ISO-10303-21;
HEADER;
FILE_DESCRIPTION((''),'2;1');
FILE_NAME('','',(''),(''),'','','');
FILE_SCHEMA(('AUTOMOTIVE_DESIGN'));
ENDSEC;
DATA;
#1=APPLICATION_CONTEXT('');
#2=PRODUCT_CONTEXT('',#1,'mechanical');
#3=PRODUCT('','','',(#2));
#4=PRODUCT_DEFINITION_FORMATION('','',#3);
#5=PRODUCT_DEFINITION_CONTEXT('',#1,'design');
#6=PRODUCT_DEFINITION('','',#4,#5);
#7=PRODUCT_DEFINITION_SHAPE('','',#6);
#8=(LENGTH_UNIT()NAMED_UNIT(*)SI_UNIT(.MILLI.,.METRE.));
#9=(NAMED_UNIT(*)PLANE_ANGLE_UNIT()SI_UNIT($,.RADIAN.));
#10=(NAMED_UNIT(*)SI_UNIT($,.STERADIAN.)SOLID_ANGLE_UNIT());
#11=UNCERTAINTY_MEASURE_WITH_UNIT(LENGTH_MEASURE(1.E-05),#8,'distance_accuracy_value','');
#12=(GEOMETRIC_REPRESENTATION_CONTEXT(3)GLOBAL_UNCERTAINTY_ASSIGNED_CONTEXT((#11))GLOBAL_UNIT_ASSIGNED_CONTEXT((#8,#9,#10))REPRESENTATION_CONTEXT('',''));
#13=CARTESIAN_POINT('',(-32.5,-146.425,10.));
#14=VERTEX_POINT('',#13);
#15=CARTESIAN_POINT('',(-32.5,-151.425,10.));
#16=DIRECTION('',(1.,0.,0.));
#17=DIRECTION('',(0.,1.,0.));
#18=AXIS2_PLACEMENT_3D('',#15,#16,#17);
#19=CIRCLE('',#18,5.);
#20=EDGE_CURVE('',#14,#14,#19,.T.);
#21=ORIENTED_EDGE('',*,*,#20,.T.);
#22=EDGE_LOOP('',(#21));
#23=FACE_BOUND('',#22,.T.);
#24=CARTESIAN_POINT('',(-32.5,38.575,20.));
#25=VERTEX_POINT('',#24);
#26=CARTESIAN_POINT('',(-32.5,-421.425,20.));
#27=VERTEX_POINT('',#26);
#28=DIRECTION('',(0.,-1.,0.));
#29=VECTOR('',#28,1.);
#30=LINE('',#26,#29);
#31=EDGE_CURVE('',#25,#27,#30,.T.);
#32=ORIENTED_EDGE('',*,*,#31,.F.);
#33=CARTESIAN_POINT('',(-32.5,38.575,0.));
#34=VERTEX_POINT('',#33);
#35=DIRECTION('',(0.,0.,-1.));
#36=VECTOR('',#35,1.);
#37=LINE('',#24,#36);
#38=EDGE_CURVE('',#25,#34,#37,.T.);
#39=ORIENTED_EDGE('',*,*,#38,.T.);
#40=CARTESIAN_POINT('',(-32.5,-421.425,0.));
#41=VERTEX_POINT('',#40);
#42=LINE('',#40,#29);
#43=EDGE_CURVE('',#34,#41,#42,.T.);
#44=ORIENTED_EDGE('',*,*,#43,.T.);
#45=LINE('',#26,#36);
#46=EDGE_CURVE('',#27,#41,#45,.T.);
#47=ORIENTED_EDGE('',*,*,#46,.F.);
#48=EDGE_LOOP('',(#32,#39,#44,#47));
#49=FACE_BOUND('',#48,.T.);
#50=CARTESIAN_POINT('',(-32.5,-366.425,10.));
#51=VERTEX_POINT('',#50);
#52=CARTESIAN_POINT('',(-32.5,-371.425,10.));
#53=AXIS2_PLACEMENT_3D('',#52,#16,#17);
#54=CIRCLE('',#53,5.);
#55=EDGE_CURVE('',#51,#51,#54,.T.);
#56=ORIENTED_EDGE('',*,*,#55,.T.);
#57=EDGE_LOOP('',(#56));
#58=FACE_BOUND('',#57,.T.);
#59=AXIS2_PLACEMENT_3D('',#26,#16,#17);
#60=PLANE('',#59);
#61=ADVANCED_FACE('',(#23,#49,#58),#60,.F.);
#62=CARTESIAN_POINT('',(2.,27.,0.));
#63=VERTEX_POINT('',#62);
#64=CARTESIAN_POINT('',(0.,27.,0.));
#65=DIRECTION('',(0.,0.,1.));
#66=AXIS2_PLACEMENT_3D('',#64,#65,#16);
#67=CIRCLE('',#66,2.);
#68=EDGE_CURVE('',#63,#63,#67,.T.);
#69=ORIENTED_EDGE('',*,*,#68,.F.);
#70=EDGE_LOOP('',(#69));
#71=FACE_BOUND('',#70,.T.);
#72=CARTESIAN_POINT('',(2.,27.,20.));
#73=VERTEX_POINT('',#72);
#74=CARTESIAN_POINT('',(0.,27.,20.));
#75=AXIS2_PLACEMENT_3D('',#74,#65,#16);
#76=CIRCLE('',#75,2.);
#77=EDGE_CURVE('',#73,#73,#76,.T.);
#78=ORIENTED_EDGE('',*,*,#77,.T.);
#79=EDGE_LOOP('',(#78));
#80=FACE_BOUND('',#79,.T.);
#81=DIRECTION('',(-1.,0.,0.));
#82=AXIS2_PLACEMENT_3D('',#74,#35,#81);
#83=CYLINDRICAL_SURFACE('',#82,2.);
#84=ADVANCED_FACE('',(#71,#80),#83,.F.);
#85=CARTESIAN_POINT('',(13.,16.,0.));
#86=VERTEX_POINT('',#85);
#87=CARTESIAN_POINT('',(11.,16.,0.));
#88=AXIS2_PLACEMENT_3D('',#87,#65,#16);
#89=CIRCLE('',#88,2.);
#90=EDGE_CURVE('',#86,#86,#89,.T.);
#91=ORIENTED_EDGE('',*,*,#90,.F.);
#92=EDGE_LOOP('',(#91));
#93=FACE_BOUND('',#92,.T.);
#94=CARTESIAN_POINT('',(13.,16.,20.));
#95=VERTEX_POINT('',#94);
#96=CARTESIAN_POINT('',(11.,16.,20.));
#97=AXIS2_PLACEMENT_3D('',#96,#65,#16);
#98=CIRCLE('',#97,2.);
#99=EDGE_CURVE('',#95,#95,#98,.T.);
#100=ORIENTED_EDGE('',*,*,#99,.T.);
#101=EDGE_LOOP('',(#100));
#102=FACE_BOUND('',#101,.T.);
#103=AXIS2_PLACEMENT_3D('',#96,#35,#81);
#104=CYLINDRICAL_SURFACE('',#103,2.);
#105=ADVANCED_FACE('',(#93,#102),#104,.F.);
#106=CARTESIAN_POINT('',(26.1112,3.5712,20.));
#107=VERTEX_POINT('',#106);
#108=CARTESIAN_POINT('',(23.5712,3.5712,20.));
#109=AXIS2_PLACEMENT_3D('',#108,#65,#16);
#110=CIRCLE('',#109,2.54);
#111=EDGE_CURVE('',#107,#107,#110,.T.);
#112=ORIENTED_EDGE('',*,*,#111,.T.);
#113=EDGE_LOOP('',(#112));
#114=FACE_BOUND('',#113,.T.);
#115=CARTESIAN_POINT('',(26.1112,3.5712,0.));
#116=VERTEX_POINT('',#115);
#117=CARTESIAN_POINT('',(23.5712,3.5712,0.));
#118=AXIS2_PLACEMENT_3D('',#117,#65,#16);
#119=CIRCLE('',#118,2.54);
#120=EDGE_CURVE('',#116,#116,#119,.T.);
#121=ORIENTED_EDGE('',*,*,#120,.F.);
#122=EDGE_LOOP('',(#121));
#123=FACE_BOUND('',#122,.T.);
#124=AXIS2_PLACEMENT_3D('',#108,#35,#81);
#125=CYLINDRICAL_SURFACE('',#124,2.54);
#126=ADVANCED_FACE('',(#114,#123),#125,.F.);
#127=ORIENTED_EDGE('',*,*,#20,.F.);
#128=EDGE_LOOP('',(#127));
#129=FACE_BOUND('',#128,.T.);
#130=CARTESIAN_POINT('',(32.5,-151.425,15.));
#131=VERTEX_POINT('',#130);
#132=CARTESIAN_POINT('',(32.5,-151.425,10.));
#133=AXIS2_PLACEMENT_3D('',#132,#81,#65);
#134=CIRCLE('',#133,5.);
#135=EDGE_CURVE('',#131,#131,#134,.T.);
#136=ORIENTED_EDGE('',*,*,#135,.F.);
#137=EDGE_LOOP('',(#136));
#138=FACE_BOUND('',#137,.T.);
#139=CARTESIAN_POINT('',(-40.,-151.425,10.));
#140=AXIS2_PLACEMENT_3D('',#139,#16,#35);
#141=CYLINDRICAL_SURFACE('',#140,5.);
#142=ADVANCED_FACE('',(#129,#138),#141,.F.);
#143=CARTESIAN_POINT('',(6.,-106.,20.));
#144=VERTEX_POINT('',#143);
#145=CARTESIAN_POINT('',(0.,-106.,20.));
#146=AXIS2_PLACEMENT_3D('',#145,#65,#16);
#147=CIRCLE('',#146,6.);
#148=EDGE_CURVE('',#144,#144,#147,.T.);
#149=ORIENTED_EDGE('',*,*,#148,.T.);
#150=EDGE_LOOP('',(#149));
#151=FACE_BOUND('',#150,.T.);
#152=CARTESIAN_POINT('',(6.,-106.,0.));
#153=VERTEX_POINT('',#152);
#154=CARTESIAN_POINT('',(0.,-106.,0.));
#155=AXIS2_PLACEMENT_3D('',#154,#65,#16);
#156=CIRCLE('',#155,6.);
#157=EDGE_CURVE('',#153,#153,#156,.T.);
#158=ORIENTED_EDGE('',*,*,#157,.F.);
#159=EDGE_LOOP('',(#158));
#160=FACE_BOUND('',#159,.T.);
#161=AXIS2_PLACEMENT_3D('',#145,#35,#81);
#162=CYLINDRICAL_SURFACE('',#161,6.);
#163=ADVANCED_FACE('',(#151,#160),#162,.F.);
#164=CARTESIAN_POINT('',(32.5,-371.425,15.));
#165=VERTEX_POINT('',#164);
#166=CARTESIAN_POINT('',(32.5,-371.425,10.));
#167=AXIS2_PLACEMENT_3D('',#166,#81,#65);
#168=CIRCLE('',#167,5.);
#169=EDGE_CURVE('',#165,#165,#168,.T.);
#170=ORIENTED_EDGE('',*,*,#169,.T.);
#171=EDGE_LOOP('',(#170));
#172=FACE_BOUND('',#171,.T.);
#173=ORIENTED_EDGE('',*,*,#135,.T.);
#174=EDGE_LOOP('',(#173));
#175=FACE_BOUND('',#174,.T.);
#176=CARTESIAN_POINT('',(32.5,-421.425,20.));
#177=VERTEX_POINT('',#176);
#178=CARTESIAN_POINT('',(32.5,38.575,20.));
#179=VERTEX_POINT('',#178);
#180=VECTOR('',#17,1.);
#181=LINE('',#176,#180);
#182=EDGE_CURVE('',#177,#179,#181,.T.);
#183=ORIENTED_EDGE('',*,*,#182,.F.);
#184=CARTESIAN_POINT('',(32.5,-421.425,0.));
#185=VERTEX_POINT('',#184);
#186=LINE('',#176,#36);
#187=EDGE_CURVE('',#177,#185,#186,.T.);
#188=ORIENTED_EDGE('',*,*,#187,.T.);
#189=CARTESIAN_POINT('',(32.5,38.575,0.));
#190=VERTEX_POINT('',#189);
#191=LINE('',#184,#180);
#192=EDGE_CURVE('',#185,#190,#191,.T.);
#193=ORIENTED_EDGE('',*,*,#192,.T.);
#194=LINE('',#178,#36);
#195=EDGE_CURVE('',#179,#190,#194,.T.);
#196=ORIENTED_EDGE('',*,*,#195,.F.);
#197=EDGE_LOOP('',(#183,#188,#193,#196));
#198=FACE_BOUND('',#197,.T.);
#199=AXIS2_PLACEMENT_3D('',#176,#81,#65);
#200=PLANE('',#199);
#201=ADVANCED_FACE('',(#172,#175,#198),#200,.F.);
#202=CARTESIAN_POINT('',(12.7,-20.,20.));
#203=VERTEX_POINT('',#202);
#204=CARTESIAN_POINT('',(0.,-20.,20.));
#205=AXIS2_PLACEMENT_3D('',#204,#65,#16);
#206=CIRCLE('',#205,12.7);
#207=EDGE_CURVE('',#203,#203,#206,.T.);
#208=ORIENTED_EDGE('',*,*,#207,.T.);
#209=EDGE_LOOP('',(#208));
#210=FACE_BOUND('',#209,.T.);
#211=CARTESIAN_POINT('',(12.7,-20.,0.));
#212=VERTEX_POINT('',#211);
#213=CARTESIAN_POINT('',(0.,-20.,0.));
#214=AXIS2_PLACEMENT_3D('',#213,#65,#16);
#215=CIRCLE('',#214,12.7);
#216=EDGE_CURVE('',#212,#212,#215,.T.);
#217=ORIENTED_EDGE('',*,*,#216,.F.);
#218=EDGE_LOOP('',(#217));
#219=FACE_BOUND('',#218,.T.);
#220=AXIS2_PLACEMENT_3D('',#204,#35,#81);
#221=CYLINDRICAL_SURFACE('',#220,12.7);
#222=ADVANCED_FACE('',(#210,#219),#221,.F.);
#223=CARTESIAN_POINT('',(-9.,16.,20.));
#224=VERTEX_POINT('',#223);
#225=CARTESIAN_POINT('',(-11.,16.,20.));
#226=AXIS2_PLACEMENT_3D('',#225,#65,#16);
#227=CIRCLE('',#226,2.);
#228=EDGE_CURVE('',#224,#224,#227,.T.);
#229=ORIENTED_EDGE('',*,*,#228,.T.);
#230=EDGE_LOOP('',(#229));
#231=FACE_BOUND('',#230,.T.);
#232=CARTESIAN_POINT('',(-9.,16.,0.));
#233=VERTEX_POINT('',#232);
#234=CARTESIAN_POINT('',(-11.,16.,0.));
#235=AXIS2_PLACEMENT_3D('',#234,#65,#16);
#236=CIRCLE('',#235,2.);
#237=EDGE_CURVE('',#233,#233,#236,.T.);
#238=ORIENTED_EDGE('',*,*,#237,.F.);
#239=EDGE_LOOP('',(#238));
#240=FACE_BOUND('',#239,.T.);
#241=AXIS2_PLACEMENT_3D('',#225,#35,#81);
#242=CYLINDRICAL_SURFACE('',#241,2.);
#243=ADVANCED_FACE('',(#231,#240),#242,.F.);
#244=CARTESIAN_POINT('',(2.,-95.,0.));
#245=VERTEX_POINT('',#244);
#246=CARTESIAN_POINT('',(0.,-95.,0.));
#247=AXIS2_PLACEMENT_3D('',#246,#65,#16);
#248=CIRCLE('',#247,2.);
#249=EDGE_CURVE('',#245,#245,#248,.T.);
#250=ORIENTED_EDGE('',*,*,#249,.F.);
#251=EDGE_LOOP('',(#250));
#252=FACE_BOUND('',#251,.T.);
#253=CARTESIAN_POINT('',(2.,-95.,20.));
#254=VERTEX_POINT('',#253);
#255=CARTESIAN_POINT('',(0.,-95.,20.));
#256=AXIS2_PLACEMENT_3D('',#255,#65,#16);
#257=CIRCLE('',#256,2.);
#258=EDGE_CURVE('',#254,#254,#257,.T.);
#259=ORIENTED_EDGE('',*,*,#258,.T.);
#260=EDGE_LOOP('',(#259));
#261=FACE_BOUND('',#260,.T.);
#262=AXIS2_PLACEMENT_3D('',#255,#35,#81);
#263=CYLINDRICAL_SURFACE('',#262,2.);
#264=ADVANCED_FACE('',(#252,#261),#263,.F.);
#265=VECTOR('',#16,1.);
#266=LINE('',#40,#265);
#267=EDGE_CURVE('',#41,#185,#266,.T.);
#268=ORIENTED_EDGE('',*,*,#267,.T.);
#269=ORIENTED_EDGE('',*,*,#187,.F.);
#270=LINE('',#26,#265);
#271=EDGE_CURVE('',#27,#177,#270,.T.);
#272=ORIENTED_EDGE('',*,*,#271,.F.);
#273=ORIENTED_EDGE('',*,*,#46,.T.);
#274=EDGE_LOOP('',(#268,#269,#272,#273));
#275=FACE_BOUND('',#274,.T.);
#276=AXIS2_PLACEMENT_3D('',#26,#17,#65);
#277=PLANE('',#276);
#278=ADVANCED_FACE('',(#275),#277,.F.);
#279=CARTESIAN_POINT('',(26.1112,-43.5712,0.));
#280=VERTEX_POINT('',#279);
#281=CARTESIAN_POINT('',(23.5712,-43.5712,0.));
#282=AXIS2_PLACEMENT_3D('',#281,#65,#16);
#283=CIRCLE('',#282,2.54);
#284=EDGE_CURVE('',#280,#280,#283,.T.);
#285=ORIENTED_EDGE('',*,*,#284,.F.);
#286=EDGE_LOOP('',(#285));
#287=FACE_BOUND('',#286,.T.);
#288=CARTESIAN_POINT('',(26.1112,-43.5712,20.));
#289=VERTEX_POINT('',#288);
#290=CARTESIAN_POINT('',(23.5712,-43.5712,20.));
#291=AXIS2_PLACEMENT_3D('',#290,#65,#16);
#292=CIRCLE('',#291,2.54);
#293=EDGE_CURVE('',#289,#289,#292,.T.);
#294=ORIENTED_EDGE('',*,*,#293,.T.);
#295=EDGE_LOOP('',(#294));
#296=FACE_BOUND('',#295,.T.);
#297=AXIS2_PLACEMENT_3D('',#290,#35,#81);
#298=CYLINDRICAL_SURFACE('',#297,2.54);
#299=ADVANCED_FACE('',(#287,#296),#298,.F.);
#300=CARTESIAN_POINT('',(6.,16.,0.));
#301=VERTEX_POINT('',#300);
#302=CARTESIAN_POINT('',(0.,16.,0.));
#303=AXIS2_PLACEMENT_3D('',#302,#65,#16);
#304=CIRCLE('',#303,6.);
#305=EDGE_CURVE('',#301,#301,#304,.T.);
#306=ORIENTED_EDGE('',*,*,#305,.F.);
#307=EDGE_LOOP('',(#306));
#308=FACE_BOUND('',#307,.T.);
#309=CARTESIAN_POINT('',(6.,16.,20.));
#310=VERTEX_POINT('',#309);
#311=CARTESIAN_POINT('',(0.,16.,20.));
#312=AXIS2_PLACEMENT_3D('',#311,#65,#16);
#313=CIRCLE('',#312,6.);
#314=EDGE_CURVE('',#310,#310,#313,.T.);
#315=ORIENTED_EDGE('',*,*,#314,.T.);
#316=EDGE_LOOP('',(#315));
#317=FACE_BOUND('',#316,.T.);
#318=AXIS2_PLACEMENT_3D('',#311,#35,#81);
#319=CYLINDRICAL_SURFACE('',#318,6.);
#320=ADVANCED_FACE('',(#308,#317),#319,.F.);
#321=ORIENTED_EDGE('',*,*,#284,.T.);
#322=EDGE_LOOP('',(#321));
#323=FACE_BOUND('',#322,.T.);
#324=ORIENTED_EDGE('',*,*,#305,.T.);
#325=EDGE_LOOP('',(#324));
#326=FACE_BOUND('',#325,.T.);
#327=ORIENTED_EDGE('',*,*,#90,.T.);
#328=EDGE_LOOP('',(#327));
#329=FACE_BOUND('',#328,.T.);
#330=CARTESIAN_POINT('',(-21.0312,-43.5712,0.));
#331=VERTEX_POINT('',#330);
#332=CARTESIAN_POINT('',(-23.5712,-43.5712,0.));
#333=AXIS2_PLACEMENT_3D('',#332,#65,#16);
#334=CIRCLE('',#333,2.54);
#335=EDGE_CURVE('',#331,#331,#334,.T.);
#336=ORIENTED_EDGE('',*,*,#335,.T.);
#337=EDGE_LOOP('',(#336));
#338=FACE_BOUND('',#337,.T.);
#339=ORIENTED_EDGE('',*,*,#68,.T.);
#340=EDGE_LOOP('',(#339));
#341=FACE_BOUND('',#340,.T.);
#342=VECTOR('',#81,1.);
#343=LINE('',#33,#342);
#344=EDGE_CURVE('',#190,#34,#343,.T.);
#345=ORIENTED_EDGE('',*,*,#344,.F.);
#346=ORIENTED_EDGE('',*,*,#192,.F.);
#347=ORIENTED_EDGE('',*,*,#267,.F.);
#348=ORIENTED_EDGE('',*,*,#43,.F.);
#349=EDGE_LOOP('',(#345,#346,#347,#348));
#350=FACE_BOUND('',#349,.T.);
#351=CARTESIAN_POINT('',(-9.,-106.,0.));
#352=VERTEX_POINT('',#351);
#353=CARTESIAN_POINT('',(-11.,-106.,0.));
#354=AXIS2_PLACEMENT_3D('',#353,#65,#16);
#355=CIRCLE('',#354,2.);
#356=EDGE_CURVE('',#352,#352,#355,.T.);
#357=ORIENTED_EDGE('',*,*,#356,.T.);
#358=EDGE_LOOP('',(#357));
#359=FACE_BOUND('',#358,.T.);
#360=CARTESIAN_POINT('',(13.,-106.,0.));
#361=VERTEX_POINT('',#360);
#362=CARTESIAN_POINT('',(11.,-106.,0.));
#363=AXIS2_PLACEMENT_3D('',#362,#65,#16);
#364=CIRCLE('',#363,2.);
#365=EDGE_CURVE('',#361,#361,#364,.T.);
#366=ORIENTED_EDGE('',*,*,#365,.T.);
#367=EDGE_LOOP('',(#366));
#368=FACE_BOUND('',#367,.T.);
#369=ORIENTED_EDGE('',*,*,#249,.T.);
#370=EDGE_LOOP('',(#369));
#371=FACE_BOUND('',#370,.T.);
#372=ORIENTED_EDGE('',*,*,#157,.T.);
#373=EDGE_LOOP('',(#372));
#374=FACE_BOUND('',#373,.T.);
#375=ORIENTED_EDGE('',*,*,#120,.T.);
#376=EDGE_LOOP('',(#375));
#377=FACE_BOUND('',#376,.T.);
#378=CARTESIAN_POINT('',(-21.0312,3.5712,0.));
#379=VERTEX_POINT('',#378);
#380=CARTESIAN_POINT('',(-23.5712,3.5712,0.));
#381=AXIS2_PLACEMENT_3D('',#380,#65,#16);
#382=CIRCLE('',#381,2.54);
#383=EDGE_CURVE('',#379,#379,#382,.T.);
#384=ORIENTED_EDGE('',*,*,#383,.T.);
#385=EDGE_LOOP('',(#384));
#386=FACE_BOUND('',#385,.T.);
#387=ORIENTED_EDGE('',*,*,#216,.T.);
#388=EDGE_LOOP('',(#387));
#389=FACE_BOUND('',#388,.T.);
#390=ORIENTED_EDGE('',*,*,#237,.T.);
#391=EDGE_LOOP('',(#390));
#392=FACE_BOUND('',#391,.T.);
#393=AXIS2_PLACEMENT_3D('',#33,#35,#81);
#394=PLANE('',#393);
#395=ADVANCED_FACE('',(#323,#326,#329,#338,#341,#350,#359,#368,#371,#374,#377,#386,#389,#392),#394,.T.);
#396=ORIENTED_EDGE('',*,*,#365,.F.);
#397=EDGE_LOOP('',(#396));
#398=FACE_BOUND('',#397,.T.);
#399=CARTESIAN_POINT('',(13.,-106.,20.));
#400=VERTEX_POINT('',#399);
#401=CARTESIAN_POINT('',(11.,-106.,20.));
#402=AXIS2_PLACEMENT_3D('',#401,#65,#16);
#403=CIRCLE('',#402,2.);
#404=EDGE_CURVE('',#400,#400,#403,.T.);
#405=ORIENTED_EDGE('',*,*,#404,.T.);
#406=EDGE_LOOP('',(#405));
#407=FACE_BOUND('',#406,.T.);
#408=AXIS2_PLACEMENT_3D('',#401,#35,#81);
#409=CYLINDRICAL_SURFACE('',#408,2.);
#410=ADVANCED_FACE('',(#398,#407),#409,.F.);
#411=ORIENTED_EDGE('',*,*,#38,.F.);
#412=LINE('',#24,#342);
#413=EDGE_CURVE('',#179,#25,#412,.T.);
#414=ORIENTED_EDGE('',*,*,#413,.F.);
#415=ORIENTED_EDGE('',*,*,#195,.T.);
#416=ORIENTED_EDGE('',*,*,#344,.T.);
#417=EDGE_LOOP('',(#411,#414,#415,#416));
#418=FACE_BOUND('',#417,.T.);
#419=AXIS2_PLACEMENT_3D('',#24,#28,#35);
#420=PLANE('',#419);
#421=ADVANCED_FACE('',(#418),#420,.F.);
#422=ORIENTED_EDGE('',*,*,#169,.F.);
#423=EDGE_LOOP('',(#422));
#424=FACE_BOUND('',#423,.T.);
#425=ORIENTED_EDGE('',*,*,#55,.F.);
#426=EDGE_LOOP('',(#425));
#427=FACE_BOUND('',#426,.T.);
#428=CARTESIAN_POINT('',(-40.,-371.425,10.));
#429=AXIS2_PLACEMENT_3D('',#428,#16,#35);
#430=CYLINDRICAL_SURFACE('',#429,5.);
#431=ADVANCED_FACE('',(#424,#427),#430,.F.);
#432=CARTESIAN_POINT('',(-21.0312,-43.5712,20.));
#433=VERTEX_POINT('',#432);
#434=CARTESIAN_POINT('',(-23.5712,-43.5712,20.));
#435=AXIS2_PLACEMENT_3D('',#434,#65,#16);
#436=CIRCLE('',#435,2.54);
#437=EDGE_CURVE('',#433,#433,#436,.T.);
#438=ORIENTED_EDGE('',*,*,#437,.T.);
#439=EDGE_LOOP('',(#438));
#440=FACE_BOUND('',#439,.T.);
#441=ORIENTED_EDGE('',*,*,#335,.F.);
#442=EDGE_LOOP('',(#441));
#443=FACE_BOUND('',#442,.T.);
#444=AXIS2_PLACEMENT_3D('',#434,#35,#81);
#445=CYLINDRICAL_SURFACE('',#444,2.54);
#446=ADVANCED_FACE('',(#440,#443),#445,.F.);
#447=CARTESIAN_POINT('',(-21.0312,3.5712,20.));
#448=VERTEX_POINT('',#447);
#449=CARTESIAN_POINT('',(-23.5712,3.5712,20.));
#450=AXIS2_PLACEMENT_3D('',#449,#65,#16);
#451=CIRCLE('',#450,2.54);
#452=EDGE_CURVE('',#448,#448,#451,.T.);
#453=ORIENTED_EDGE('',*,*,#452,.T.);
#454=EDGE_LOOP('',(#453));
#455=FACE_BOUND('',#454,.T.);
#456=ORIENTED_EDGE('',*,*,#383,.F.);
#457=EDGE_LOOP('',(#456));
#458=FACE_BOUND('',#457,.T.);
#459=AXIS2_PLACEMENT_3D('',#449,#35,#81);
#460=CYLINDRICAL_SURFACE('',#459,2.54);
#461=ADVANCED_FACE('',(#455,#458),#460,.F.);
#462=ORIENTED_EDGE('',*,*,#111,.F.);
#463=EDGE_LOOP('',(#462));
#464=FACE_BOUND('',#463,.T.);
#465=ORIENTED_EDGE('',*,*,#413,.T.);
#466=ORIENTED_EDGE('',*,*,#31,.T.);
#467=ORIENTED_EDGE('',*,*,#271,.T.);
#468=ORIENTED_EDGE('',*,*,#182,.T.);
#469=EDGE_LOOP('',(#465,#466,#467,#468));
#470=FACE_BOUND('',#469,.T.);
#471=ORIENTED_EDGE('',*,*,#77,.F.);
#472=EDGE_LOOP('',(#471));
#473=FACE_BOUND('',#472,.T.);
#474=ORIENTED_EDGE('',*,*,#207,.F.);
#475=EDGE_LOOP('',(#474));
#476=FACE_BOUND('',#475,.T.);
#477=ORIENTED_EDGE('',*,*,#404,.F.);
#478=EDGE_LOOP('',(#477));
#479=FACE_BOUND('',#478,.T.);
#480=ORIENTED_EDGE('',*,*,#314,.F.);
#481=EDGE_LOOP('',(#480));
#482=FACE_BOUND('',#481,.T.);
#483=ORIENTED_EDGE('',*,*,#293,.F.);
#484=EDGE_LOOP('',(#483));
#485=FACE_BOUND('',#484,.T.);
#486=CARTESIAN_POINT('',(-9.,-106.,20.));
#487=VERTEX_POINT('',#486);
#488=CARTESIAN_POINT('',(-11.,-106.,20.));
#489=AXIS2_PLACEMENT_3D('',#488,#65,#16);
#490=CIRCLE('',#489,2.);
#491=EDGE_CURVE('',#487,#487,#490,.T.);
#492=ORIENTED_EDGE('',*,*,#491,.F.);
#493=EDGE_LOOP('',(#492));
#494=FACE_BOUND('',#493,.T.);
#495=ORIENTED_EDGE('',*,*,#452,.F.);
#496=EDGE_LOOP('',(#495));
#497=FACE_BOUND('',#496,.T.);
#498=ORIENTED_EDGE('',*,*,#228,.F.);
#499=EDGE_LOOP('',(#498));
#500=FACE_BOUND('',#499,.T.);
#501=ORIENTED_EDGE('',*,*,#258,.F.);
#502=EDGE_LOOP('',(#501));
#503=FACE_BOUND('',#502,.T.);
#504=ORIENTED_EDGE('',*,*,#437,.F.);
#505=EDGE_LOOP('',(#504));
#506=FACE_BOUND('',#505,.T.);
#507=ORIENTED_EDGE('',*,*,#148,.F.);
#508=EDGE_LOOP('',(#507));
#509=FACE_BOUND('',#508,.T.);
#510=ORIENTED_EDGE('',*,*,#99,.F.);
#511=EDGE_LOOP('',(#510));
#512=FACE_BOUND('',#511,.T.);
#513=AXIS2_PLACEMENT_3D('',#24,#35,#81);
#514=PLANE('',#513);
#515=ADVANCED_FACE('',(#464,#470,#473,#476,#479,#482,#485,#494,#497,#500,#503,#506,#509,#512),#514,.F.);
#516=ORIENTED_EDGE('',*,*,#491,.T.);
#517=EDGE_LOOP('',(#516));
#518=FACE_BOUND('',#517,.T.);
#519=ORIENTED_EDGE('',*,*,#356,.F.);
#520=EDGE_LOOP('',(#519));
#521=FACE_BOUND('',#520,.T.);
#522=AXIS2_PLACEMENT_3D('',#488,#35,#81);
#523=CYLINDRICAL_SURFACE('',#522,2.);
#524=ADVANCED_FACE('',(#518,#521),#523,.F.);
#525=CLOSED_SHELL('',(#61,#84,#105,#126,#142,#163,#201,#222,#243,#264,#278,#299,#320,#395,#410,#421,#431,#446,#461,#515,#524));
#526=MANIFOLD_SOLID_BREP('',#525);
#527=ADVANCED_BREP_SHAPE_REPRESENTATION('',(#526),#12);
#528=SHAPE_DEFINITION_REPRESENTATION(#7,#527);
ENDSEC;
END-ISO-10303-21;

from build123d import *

# Parameters (mm, degrees)
SKETCH1_W           = 65
SKETCH1_H           = 460
SKETCH1_R           = 2.54
SKETCH1_R_2         = 6
SKETCH1_R_3         = 2
SKETCH1_R_4         = 12.7
BOSS_EXTRUDE1_DEPTH = 20
SKETCH2_R           = 5
CUT_EXTRUDE1_DEPTH  = 40


with BuildPart() as part:
    # Sketch1 → Boss-Extrude1 (new body)
    with BuildSketch(Plane.XY):
        with Locations((0, -191.425)):
            Rectangle(SKETCH1_W, SKETCH1_H)
        with Locations((-23.5712, 3.5712)):
            Circle(SKETCH1_R, mode=Mode.SUBTRACT)
        with Locations((23.5712, 3.5712)):
            Circle(SKETCH1_R, mode=Mode.SUBTRACT)
        with Locations((23.5712, -43.5712)):
            Circle(SKETCH1_R, mode=Mode.SUBTRACT)
        with Locations((-23.5712, -43.5712)):
            Circle(SKETCH1_R, mode=Mode.SUBTRACT)
        with Locations((0, -106)):
            Circle(SKETCH1_R_2, mode=Mode.SUBTRACT)
        with Locations((11, -106)):
            Circle(SKETCH1_R_3, mode=Mode.SUBTRACT)
        with Locations((0, -20)):
            Circle(SKETCH1_R_4, mode=Mode.SUBTRACT)
        with Locations((0, -95)):
            Circle(SKETCH1_R_3, mode=Mode.SUBTRACT)
        with Locations((0, 16)):
            Circle(SKETCH1_R_2, mode=Mode.SUBTRACT)
        with Locations((11, 16)):
            Circle(SKETCH1_R_3, mode=Mode.SUBTRACT)
        with Locations((-11, -106)):
            Circle(SKETCH1_R_3, mode=Mode.SUBTRACT)
        with Locations((0, 27)):
            Circle(SKETCH1_R_3, mode=Mode.SUBTRACT)
        with Locations((-11, 16)):
            Circle(SKETCH1_R_3, mode=Mode.SUBTRACT)
    extrude(amount=BOSS_EXTRUDE1_DEPTH)

    # Sketch2 → Cut-Extrude1 (cut, symmetric)
    with BuildSketch(Plane(origin=(0, 0, 0), x_dir=(0, 0, -1), z_dir=(1, 0, 0))):
        with Locations(Location((-10, -151.425, 0), (0, 0, 90))):
            Circle(SKETCH2_R)
        with Locations(Location((-10, -371.425, 0), (0, 0, 90))):
            Circle(SKETCH2_R)
    extrude(amount=CUT_EXTRUDE1_DEPTH, both=True, mode=Mode.SUBTRACT)


solid = part.part
